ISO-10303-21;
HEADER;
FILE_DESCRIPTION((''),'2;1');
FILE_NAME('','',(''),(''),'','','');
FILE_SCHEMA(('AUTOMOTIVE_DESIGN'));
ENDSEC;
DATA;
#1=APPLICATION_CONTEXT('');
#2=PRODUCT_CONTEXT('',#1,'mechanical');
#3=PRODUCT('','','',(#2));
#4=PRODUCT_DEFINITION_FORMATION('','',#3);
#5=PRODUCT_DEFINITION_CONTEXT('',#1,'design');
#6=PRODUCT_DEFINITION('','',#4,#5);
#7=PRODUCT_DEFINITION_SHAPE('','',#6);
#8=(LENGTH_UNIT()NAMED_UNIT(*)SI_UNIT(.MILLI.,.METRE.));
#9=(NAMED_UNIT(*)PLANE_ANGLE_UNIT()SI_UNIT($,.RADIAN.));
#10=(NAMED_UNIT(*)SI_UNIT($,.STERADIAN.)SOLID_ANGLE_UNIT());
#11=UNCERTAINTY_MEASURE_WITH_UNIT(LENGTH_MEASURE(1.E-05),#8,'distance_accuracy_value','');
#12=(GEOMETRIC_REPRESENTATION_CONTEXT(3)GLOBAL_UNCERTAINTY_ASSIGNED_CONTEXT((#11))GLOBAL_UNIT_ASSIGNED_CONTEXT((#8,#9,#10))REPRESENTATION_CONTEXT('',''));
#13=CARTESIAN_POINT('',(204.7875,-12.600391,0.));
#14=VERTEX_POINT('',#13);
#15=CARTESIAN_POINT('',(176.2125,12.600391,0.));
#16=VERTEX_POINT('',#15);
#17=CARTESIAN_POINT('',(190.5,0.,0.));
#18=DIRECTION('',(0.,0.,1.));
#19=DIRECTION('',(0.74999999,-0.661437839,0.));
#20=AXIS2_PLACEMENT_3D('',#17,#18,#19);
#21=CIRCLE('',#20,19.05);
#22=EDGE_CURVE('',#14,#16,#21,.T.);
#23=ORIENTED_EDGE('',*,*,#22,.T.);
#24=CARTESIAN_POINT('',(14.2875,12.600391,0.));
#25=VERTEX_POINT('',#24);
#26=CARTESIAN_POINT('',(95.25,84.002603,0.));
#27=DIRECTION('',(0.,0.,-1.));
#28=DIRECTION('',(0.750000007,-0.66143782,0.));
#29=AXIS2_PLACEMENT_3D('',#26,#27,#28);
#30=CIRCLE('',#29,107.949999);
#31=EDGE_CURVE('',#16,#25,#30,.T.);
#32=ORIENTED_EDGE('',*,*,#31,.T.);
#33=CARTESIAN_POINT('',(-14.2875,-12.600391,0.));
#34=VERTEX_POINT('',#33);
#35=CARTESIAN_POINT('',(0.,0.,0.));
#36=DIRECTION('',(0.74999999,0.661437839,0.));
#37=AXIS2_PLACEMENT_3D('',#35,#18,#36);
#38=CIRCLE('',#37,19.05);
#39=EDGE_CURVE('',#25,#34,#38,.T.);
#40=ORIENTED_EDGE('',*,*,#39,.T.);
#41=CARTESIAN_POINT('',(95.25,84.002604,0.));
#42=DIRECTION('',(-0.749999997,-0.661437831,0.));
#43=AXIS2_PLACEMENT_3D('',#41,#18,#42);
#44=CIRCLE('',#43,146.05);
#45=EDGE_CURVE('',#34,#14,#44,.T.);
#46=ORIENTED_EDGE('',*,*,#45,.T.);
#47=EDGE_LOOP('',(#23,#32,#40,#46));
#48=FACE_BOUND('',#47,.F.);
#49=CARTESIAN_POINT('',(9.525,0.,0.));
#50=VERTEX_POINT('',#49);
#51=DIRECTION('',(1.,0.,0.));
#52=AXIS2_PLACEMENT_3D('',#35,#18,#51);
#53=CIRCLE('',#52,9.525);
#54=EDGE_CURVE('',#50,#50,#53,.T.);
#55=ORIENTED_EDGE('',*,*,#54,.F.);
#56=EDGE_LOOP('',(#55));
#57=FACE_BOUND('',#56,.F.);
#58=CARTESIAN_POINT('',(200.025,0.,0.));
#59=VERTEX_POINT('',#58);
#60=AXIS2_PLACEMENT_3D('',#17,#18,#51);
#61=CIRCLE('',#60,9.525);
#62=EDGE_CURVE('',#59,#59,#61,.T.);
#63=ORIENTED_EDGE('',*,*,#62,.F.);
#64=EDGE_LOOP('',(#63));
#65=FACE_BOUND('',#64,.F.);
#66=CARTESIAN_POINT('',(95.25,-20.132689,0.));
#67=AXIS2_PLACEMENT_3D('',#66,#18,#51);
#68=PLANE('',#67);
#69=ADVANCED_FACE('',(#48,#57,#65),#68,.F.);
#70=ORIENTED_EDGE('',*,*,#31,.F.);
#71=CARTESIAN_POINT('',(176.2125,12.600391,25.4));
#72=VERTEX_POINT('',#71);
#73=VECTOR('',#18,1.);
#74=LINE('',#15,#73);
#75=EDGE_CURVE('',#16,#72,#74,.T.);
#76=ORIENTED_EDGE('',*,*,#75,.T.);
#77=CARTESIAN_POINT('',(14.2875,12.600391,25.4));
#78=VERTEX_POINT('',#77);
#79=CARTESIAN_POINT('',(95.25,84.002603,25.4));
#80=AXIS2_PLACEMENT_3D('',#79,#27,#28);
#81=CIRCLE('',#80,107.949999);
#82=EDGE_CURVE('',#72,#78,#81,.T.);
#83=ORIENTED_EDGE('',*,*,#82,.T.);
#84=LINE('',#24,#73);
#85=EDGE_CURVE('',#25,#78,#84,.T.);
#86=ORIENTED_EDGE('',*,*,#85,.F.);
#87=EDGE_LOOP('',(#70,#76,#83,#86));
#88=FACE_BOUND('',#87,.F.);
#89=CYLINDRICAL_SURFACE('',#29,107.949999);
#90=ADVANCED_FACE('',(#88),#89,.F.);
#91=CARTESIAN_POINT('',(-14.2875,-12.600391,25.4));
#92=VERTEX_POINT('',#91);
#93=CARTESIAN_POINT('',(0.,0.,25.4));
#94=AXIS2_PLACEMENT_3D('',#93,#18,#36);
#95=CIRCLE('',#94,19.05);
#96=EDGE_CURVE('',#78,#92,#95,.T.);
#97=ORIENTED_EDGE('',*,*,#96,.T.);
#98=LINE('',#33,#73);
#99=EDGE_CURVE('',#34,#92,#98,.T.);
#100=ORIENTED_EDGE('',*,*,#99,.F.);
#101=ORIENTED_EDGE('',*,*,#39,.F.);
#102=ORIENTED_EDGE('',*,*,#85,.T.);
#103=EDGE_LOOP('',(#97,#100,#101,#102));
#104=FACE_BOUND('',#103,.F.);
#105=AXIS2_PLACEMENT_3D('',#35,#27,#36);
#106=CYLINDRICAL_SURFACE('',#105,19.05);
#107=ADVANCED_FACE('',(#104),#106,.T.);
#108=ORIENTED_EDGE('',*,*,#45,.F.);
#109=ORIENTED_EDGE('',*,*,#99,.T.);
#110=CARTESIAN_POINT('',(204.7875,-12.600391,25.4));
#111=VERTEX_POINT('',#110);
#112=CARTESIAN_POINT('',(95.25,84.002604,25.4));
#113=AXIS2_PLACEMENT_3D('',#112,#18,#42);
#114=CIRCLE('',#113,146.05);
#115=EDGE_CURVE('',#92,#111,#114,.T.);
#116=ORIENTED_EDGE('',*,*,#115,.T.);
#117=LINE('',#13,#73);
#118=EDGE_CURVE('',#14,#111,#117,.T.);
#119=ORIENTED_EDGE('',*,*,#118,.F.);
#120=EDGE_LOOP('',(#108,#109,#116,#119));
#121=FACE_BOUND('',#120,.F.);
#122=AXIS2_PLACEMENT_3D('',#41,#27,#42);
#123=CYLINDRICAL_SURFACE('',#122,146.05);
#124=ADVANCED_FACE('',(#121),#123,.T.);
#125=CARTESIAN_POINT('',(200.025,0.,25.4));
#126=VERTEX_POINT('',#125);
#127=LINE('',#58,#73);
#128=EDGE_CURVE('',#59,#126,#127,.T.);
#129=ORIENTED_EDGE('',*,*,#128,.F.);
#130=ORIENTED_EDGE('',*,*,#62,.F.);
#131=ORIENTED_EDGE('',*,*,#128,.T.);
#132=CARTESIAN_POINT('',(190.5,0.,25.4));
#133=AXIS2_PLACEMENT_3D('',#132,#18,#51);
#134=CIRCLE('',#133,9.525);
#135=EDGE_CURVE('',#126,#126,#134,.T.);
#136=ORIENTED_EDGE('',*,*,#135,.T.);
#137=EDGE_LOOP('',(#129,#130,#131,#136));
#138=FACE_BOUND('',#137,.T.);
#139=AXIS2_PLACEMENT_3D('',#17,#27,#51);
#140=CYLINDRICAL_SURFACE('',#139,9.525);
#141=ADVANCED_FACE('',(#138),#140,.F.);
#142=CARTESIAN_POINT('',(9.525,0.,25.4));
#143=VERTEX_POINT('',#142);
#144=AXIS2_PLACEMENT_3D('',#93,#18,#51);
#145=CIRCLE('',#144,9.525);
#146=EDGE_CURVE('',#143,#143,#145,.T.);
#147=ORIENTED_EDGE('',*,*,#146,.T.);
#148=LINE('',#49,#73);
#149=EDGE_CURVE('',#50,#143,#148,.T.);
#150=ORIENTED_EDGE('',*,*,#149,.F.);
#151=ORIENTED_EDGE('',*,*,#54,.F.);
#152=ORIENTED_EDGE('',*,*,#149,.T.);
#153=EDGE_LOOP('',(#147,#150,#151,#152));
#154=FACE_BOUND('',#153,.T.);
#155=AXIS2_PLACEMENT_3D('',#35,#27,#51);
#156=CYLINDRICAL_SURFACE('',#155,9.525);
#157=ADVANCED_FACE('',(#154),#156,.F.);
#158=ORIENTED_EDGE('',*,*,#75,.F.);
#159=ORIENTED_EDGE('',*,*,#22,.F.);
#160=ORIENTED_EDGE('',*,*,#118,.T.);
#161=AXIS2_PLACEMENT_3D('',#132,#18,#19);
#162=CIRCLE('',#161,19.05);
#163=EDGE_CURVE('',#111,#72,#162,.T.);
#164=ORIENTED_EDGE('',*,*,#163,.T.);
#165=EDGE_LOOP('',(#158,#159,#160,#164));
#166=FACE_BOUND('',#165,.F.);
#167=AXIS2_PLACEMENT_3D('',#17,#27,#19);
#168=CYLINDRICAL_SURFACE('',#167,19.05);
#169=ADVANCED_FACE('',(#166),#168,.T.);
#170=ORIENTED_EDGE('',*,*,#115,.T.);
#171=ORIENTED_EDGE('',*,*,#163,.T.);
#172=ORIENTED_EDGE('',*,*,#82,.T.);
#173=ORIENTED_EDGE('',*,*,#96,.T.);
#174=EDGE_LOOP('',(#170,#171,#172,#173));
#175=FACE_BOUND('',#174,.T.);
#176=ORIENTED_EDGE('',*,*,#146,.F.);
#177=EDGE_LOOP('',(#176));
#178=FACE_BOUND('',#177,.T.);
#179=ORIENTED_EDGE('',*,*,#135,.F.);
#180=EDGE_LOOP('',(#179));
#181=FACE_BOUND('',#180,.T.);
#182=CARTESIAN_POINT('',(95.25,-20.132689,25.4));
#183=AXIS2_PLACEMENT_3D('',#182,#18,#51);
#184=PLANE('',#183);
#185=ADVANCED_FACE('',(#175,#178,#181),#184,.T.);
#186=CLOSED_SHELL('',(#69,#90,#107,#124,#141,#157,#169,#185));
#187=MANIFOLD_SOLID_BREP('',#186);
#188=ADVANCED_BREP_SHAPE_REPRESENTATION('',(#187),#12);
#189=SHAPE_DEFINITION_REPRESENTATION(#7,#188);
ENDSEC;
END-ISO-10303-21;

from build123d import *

# Parameters (mm, degrees)
F0_R     = 9.525
F1_DEPTH = 25.4


with BuildPart() as f1:
    # F0 (on Top) → F1 (new body)
    with BuildSketch(Plane.XY):
        with BuildLine():
            ThreePointArc((176.2125, 12.600391), (95.25, -23.947396), (14.2875, 12.600391))
            ThreePointArc((14.2875, 12.600391), (-12.600391, 14.2875), (-14.2875, -12.600391))
            ThreePointArc((-14.2875, -12.600391), (95.25, -62.047396), (204.7875, -12.600391))
            ThreePointArc((204.7875, -12.600391), (203.100391, 14.2875), (176.2125, 12.600391))
        make_face()
        Circle(F0_R, mode=Mode.SUBTRACT)
        with Locations((190.5, 0)):
            Circle(F0_R, mode=Mode.SUBTRACT)
    extrude(amount=F1_DEPTH)


solid = f1.part
